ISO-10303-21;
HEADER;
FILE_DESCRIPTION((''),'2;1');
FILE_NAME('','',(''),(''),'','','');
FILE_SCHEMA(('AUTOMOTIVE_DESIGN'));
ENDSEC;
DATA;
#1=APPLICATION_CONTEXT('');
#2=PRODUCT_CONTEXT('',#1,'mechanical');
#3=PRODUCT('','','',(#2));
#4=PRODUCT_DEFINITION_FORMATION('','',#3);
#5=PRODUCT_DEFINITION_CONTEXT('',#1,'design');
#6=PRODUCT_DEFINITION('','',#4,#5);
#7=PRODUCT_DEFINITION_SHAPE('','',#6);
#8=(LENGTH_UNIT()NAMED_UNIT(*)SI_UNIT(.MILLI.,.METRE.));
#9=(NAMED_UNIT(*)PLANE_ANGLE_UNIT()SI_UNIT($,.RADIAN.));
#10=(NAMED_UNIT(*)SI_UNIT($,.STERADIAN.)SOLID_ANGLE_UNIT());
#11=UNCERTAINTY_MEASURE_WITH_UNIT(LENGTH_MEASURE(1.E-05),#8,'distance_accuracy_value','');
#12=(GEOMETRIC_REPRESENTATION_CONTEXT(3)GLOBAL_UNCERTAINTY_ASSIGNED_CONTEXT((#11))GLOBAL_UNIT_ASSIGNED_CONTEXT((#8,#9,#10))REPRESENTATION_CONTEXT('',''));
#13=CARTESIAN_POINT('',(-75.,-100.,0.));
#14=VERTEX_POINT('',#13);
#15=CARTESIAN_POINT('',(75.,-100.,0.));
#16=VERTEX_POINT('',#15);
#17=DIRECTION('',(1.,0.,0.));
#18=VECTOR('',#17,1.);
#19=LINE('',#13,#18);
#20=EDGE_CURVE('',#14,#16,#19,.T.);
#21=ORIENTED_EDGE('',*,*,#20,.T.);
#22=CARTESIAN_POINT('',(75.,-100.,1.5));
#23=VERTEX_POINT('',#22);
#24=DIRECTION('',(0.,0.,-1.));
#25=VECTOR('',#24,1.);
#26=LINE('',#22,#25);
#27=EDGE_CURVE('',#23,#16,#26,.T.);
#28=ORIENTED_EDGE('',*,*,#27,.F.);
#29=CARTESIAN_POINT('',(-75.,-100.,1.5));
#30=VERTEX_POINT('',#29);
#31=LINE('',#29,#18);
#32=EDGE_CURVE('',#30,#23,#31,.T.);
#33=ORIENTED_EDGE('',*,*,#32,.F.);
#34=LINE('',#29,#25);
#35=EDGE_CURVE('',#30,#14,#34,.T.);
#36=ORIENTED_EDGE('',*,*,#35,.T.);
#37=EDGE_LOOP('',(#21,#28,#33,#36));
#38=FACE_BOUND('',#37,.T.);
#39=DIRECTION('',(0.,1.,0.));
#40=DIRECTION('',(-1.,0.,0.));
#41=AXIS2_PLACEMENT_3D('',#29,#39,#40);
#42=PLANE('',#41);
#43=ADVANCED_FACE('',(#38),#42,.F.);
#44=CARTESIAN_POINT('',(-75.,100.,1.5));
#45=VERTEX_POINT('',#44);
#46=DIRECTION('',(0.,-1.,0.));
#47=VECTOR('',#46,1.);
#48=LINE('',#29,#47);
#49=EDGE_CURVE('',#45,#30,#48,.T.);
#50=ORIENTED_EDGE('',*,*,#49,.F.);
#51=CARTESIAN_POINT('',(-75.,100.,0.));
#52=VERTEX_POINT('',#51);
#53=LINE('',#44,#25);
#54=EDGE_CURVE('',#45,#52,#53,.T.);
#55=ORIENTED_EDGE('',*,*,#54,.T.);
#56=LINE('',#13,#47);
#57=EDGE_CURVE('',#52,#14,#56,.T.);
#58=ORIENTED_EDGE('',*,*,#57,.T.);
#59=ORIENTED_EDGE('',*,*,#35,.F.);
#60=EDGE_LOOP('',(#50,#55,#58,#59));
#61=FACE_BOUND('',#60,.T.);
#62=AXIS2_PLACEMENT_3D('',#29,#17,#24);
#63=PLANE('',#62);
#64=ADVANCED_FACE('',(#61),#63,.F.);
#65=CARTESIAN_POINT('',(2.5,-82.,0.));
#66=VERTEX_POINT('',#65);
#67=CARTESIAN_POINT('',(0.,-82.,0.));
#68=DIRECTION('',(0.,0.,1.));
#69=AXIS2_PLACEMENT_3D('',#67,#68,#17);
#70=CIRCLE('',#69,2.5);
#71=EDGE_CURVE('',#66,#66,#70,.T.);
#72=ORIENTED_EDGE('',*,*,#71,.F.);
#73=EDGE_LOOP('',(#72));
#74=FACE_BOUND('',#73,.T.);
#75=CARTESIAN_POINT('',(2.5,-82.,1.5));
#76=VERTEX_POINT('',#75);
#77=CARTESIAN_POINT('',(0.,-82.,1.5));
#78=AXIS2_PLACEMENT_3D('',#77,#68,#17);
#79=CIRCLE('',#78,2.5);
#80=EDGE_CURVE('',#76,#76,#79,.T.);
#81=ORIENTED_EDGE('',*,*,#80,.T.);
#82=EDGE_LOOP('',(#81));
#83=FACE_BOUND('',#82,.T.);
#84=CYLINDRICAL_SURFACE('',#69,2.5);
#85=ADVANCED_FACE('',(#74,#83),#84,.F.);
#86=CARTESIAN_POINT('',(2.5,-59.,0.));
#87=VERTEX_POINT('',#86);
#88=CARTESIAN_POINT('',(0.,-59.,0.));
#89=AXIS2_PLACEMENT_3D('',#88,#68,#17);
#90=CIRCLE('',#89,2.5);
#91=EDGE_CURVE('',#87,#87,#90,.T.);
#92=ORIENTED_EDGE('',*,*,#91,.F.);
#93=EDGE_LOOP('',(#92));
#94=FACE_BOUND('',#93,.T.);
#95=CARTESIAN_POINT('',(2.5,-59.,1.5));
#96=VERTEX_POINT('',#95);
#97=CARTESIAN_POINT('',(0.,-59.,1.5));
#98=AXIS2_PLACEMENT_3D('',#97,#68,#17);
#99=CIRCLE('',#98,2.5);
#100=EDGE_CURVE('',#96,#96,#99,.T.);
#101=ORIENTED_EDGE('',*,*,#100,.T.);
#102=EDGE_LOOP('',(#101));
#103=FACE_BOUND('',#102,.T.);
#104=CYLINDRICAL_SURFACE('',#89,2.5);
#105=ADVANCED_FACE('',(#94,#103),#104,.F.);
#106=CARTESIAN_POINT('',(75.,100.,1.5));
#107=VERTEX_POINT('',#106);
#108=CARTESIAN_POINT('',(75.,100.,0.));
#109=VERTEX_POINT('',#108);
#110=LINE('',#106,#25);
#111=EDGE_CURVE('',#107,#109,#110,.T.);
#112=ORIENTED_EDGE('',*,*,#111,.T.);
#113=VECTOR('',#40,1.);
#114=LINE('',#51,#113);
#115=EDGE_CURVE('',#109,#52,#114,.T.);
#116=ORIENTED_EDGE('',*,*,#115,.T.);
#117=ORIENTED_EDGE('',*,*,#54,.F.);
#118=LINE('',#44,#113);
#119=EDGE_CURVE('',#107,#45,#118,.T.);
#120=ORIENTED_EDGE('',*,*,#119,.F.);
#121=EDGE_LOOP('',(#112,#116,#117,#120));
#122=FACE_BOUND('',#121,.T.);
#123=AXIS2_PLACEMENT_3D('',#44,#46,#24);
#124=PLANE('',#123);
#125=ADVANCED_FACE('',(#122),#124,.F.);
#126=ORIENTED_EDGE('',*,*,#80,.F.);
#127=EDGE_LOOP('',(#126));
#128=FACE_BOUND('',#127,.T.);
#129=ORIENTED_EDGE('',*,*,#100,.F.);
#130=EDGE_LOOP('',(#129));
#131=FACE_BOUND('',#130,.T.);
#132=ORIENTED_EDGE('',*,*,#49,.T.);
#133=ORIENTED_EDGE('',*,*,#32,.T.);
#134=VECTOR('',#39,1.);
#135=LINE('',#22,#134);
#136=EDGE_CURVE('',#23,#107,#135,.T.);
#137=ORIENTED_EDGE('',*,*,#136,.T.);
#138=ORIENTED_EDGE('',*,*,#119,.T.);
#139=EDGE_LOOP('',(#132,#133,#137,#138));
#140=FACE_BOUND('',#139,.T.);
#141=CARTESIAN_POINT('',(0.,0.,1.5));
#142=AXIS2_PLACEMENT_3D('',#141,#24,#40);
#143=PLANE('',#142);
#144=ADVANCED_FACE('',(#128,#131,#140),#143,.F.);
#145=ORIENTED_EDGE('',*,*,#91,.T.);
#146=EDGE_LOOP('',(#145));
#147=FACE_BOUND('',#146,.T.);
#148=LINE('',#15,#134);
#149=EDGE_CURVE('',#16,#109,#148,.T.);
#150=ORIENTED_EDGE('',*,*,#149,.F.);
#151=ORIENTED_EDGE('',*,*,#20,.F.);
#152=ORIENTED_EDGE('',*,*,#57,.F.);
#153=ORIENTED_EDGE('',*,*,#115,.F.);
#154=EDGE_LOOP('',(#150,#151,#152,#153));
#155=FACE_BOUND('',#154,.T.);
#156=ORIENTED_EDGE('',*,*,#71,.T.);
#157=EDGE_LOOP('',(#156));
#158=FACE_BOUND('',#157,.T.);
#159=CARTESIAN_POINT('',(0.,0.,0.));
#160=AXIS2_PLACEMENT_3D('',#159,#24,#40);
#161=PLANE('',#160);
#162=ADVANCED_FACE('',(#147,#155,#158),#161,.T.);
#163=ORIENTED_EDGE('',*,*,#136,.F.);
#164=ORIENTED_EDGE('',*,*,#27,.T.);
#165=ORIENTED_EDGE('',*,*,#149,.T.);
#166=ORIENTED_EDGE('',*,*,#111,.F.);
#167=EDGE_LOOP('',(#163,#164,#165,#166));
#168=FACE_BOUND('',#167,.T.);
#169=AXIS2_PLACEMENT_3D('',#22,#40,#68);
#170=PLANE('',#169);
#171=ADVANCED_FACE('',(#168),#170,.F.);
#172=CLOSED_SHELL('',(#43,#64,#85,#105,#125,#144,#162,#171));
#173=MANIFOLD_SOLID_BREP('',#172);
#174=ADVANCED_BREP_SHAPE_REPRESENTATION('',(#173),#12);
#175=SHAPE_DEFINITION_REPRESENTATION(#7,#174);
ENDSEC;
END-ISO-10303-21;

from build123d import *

# Parameters (mm, degrees)
SKETCH_1_W          = 150
SKETCH_1_H          = 200
EXTRUDE_1_DEPTH     = 1.5
SKETCH_2_R          = 2.5
CUT_EXTRUDE_1_DEPTH = 1.5


with BuildPart() as part:
    # 草图1 → 凸台-拉伸1 (new body)
    with BuildSketch(Plane.XY):
        Rectangle(SKETCH_1_W, SKETCH_1_H)
    extrude(amount=EXTRUDE_1_DEPTH)

    # 草图2 → 切除-拉伸1 (cut)
    with BuildSketch(Plane.XY.offset(1.5)):
        with Locations((0, -59)):
            Circle(SKETCH_2_R)
        with Locations((0, -82)):
            Circle(SKETCH_2_R)
    extrude(amount=-CUT_EXTRUDE_1_DEPTH, mode=Mode.SUBTRACT)


solid = part.part
